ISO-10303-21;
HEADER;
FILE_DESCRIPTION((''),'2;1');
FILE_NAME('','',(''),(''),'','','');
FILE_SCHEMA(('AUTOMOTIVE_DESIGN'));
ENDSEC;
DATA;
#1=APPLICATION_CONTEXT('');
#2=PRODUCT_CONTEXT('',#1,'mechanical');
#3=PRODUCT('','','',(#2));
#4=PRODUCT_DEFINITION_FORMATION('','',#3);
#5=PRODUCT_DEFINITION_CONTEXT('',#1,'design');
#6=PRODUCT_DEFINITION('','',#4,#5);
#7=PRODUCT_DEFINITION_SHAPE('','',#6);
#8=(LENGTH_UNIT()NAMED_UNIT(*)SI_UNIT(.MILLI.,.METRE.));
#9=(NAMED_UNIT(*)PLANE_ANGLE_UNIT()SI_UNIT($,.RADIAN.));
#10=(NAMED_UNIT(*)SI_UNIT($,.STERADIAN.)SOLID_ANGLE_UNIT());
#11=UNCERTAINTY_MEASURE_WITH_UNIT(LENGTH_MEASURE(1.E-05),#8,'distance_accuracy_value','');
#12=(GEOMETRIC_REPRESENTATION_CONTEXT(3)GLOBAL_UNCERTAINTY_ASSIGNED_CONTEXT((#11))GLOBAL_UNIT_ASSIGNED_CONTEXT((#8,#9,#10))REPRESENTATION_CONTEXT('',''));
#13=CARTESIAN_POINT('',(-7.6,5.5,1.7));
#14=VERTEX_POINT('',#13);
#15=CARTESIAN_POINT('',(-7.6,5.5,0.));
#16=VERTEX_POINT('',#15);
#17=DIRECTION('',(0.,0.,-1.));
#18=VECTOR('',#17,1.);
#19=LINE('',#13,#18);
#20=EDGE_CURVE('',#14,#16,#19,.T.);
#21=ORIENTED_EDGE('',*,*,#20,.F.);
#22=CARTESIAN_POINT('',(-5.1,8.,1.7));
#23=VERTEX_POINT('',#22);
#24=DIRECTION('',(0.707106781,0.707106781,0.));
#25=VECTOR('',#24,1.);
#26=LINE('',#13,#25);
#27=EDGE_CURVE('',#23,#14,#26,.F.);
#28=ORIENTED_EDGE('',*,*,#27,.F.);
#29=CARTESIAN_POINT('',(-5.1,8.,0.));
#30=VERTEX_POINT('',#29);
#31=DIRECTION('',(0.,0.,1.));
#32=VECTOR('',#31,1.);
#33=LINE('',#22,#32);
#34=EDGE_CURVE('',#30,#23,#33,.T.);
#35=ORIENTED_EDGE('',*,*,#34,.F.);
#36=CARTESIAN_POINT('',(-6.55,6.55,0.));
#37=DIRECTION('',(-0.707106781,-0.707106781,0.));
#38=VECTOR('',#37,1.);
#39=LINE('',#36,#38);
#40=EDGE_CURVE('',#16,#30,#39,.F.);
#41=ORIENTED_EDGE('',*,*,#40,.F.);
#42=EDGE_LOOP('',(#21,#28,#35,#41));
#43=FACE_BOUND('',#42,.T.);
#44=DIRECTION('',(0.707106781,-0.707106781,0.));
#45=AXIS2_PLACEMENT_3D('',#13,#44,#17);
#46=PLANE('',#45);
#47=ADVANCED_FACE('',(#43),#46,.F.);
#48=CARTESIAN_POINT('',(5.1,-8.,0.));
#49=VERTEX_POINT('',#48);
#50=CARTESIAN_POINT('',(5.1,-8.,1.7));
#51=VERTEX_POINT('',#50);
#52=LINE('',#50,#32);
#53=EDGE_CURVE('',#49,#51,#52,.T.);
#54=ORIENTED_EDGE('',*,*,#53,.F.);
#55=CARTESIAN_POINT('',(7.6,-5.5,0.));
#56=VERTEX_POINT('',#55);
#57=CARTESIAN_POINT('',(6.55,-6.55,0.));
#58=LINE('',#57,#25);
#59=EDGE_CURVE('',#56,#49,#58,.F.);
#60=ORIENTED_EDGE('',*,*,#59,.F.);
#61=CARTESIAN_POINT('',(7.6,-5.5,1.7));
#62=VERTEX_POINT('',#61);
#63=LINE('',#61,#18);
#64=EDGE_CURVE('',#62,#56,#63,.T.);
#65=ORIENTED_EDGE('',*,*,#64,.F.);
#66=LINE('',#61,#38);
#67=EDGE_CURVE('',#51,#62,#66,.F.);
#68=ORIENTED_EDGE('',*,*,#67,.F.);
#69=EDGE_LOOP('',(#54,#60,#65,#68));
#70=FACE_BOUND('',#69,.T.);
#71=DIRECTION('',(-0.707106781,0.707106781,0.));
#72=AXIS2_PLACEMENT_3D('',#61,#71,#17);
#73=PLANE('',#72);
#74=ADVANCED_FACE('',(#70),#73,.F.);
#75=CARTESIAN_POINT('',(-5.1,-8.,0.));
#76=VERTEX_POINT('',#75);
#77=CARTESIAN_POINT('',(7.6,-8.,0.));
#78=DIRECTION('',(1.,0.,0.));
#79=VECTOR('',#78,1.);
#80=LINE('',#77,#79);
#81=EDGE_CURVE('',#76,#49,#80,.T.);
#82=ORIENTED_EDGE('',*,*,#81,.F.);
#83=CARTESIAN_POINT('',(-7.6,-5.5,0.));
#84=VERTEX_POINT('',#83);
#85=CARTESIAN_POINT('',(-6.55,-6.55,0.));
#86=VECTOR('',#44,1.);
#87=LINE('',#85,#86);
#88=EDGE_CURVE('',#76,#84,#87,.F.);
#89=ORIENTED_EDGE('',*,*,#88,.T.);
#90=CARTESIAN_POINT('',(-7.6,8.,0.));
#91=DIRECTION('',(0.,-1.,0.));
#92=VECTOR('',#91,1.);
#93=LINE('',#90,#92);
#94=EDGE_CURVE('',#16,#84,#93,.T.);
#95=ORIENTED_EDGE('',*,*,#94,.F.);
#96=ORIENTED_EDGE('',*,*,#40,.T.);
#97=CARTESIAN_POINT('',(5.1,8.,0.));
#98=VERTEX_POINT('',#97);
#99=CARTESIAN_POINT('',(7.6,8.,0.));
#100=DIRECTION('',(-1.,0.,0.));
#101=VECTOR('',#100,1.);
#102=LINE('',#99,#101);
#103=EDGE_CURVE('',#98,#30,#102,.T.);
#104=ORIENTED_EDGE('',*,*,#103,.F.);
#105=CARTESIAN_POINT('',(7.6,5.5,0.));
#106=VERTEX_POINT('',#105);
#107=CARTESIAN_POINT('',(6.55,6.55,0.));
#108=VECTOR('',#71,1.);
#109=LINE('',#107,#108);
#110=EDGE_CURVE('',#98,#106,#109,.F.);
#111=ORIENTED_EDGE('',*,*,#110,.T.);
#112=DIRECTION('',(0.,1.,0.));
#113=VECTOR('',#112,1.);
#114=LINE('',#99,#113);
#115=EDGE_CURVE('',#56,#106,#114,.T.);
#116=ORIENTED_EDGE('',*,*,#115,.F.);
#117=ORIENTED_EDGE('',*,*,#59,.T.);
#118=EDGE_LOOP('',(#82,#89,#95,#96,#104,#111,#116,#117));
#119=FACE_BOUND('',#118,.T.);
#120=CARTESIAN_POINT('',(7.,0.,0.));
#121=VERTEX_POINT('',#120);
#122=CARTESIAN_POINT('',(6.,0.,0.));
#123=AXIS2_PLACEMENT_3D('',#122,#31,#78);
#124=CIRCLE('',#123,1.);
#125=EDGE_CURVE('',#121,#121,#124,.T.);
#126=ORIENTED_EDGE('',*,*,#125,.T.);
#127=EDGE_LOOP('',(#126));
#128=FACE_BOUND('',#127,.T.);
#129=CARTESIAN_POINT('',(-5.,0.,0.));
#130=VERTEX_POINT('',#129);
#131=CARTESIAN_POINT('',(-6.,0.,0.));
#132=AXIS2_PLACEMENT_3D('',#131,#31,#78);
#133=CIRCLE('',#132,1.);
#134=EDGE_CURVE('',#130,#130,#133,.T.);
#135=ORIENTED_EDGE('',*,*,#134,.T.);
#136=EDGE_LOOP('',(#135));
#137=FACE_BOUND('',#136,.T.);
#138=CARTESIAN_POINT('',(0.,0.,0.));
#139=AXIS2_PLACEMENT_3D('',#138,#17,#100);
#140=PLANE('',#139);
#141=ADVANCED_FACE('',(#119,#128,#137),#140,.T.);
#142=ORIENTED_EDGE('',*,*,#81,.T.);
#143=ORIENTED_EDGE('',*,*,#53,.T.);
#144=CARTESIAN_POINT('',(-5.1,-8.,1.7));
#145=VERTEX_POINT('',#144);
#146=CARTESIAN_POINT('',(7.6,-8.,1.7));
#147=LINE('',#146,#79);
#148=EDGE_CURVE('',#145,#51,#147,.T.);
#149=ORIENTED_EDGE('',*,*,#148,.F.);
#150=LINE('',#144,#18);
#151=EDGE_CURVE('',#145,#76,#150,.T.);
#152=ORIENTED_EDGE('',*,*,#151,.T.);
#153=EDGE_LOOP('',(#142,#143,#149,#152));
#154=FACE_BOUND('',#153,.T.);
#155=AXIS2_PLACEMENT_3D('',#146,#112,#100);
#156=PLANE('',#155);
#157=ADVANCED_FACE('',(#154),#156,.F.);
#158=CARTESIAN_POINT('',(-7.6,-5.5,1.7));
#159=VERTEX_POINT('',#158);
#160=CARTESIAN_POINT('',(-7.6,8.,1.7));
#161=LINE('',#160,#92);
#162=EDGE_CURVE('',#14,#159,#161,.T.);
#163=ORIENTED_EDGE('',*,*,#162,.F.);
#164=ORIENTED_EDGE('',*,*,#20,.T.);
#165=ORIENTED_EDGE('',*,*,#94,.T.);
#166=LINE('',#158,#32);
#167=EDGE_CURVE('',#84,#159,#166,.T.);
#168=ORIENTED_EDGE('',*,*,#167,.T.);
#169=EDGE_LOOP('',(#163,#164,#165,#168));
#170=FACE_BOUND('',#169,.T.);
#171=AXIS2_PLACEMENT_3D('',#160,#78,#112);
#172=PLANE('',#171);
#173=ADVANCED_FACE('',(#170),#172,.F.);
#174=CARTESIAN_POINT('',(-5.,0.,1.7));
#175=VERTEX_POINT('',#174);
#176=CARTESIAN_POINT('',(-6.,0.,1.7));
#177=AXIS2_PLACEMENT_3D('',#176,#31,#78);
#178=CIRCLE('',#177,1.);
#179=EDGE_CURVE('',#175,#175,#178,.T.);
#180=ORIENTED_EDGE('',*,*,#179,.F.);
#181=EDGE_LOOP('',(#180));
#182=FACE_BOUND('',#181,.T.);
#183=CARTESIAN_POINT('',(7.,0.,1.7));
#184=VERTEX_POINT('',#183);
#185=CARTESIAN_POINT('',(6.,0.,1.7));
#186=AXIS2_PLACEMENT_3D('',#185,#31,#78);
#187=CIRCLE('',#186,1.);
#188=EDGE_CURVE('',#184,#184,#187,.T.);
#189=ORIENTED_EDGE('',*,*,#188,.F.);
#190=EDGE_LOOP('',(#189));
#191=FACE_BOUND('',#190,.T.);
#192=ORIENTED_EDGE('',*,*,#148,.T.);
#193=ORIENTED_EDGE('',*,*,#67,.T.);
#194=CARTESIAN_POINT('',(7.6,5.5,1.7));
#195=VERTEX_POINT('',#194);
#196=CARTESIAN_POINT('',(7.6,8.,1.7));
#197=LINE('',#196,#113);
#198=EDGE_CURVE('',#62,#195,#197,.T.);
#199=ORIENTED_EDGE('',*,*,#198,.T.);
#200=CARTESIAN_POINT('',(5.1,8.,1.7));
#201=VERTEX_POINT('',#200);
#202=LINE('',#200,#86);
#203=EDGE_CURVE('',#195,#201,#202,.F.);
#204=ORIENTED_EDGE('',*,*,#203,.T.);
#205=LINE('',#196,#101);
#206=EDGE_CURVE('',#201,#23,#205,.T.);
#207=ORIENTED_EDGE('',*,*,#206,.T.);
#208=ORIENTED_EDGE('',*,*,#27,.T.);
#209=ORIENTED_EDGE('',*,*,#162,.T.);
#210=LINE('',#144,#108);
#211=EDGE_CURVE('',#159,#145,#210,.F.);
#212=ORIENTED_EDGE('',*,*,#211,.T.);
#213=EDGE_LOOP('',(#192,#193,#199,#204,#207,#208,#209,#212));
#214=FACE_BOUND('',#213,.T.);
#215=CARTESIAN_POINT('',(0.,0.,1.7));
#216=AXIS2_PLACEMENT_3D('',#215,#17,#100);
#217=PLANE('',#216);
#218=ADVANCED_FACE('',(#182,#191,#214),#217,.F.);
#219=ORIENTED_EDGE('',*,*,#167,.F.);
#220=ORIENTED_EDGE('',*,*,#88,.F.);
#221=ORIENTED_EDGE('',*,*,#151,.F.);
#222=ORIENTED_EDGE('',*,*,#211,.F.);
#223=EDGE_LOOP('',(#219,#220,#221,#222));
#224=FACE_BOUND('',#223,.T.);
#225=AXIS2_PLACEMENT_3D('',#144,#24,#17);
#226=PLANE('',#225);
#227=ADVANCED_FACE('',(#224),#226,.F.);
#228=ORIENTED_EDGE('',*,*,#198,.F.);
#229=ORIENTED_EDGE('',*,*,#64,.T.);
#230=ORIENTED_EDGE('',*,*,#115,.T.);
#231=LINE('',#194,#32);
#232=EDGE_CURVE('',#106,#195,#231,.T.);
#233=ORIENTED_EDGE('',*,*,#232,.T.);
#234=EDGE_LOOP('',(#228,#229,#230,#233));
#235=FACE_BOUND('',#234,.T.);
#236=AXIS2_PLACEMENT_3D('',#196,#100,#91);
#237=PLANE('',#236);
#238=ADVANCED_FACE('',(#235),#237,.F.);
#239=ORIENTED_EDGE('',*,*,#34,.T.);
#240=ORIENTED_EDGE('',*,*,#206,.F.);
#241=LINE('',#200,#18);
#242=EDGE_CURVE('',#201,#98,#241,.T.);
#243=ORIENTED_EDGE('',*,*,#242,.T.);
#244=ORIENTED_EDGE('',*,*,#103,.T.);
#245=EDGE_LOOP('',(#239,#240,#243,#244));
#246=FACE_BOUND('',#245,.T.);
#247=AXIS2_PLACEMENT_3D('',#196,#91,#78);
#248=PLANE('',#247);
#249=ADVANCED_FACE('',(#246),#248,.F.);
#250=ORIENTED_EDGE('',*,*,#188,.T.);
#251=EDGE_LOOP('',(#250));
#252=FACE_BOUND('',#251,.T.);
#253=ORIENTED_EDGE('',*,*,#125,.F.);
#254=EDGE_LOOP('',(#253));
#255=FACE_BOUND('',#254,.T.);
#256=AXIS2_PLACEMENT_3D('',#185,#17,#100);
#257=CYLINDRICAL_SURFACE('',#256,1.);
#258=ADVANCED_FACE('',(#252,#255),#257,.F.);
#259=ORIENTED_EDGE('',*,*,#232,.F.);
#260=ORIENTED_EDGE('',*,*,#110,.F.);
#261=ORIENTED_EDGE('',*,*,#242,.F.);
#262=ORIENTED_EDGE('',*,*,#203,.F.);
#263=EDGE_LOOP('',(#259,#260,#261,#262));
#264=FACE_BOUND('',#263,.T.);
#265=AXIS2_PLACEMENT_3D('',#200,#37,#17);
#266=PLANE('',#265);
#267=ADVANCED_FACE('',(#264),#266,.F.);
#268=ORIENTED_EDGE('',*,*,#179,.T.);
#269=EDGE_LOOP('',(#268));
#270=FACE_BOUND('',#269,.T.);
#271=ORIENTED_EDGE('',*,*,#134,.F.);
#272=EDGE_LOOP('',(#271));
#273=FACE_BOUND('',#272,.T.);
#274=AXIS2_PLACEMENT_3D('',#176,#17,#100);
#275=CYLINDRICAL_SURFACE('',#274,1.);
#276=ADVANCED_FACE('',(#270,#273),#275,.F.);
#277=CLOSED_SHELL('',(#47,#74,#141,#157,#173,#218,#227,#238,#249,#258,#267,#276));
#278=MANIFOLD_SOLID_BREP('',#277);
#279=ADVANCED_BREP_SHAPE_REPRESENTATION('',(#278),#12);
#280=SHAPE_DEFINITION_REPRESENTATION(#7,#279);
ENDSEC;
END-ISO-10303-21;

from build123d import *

# Parameters (mm, degrees)
ESQUISSE1_W        = 15.2
ESQUISSE1_H        = 16
ESQUISSE1_R        = 1
BOSS_EXTRU_1_DEPTH = 1.7
CHANFREIN1_SIZE    = 2.5


with BuildPart() as part:
    # Esquisse1 → Boss.-Extru.1 (new body)
    with BuildSketch(Plane.XY):
        Rectangle(ESQUISSE1_W, ESQUISSE1_H)
        with Locations((-6, 0)):
            Circle(ESQUISSE1_R, mode=Mode.SUBTRACT)
        with Locations((6, 0)):
            Circle(ESQUISSE1_R, mode=Mode.SUBTRACT)
    extrude(amount=BOSS_EXTRU_1_DEPTH)

    # Chanfrein1
    chanfrein1_edges = [part.edges().sort_by_distance(p)[0] for p in [
        (-7.6, 8, 0.85),
        (7.6, 8, 0.85),
        (7.6, -8, 0.85),
        (-7.6, -8, 0.85),
    ]]
    chamfer(chanfrein1_edges, length=CHANFREIN1_SIZE)


solid = part.part
